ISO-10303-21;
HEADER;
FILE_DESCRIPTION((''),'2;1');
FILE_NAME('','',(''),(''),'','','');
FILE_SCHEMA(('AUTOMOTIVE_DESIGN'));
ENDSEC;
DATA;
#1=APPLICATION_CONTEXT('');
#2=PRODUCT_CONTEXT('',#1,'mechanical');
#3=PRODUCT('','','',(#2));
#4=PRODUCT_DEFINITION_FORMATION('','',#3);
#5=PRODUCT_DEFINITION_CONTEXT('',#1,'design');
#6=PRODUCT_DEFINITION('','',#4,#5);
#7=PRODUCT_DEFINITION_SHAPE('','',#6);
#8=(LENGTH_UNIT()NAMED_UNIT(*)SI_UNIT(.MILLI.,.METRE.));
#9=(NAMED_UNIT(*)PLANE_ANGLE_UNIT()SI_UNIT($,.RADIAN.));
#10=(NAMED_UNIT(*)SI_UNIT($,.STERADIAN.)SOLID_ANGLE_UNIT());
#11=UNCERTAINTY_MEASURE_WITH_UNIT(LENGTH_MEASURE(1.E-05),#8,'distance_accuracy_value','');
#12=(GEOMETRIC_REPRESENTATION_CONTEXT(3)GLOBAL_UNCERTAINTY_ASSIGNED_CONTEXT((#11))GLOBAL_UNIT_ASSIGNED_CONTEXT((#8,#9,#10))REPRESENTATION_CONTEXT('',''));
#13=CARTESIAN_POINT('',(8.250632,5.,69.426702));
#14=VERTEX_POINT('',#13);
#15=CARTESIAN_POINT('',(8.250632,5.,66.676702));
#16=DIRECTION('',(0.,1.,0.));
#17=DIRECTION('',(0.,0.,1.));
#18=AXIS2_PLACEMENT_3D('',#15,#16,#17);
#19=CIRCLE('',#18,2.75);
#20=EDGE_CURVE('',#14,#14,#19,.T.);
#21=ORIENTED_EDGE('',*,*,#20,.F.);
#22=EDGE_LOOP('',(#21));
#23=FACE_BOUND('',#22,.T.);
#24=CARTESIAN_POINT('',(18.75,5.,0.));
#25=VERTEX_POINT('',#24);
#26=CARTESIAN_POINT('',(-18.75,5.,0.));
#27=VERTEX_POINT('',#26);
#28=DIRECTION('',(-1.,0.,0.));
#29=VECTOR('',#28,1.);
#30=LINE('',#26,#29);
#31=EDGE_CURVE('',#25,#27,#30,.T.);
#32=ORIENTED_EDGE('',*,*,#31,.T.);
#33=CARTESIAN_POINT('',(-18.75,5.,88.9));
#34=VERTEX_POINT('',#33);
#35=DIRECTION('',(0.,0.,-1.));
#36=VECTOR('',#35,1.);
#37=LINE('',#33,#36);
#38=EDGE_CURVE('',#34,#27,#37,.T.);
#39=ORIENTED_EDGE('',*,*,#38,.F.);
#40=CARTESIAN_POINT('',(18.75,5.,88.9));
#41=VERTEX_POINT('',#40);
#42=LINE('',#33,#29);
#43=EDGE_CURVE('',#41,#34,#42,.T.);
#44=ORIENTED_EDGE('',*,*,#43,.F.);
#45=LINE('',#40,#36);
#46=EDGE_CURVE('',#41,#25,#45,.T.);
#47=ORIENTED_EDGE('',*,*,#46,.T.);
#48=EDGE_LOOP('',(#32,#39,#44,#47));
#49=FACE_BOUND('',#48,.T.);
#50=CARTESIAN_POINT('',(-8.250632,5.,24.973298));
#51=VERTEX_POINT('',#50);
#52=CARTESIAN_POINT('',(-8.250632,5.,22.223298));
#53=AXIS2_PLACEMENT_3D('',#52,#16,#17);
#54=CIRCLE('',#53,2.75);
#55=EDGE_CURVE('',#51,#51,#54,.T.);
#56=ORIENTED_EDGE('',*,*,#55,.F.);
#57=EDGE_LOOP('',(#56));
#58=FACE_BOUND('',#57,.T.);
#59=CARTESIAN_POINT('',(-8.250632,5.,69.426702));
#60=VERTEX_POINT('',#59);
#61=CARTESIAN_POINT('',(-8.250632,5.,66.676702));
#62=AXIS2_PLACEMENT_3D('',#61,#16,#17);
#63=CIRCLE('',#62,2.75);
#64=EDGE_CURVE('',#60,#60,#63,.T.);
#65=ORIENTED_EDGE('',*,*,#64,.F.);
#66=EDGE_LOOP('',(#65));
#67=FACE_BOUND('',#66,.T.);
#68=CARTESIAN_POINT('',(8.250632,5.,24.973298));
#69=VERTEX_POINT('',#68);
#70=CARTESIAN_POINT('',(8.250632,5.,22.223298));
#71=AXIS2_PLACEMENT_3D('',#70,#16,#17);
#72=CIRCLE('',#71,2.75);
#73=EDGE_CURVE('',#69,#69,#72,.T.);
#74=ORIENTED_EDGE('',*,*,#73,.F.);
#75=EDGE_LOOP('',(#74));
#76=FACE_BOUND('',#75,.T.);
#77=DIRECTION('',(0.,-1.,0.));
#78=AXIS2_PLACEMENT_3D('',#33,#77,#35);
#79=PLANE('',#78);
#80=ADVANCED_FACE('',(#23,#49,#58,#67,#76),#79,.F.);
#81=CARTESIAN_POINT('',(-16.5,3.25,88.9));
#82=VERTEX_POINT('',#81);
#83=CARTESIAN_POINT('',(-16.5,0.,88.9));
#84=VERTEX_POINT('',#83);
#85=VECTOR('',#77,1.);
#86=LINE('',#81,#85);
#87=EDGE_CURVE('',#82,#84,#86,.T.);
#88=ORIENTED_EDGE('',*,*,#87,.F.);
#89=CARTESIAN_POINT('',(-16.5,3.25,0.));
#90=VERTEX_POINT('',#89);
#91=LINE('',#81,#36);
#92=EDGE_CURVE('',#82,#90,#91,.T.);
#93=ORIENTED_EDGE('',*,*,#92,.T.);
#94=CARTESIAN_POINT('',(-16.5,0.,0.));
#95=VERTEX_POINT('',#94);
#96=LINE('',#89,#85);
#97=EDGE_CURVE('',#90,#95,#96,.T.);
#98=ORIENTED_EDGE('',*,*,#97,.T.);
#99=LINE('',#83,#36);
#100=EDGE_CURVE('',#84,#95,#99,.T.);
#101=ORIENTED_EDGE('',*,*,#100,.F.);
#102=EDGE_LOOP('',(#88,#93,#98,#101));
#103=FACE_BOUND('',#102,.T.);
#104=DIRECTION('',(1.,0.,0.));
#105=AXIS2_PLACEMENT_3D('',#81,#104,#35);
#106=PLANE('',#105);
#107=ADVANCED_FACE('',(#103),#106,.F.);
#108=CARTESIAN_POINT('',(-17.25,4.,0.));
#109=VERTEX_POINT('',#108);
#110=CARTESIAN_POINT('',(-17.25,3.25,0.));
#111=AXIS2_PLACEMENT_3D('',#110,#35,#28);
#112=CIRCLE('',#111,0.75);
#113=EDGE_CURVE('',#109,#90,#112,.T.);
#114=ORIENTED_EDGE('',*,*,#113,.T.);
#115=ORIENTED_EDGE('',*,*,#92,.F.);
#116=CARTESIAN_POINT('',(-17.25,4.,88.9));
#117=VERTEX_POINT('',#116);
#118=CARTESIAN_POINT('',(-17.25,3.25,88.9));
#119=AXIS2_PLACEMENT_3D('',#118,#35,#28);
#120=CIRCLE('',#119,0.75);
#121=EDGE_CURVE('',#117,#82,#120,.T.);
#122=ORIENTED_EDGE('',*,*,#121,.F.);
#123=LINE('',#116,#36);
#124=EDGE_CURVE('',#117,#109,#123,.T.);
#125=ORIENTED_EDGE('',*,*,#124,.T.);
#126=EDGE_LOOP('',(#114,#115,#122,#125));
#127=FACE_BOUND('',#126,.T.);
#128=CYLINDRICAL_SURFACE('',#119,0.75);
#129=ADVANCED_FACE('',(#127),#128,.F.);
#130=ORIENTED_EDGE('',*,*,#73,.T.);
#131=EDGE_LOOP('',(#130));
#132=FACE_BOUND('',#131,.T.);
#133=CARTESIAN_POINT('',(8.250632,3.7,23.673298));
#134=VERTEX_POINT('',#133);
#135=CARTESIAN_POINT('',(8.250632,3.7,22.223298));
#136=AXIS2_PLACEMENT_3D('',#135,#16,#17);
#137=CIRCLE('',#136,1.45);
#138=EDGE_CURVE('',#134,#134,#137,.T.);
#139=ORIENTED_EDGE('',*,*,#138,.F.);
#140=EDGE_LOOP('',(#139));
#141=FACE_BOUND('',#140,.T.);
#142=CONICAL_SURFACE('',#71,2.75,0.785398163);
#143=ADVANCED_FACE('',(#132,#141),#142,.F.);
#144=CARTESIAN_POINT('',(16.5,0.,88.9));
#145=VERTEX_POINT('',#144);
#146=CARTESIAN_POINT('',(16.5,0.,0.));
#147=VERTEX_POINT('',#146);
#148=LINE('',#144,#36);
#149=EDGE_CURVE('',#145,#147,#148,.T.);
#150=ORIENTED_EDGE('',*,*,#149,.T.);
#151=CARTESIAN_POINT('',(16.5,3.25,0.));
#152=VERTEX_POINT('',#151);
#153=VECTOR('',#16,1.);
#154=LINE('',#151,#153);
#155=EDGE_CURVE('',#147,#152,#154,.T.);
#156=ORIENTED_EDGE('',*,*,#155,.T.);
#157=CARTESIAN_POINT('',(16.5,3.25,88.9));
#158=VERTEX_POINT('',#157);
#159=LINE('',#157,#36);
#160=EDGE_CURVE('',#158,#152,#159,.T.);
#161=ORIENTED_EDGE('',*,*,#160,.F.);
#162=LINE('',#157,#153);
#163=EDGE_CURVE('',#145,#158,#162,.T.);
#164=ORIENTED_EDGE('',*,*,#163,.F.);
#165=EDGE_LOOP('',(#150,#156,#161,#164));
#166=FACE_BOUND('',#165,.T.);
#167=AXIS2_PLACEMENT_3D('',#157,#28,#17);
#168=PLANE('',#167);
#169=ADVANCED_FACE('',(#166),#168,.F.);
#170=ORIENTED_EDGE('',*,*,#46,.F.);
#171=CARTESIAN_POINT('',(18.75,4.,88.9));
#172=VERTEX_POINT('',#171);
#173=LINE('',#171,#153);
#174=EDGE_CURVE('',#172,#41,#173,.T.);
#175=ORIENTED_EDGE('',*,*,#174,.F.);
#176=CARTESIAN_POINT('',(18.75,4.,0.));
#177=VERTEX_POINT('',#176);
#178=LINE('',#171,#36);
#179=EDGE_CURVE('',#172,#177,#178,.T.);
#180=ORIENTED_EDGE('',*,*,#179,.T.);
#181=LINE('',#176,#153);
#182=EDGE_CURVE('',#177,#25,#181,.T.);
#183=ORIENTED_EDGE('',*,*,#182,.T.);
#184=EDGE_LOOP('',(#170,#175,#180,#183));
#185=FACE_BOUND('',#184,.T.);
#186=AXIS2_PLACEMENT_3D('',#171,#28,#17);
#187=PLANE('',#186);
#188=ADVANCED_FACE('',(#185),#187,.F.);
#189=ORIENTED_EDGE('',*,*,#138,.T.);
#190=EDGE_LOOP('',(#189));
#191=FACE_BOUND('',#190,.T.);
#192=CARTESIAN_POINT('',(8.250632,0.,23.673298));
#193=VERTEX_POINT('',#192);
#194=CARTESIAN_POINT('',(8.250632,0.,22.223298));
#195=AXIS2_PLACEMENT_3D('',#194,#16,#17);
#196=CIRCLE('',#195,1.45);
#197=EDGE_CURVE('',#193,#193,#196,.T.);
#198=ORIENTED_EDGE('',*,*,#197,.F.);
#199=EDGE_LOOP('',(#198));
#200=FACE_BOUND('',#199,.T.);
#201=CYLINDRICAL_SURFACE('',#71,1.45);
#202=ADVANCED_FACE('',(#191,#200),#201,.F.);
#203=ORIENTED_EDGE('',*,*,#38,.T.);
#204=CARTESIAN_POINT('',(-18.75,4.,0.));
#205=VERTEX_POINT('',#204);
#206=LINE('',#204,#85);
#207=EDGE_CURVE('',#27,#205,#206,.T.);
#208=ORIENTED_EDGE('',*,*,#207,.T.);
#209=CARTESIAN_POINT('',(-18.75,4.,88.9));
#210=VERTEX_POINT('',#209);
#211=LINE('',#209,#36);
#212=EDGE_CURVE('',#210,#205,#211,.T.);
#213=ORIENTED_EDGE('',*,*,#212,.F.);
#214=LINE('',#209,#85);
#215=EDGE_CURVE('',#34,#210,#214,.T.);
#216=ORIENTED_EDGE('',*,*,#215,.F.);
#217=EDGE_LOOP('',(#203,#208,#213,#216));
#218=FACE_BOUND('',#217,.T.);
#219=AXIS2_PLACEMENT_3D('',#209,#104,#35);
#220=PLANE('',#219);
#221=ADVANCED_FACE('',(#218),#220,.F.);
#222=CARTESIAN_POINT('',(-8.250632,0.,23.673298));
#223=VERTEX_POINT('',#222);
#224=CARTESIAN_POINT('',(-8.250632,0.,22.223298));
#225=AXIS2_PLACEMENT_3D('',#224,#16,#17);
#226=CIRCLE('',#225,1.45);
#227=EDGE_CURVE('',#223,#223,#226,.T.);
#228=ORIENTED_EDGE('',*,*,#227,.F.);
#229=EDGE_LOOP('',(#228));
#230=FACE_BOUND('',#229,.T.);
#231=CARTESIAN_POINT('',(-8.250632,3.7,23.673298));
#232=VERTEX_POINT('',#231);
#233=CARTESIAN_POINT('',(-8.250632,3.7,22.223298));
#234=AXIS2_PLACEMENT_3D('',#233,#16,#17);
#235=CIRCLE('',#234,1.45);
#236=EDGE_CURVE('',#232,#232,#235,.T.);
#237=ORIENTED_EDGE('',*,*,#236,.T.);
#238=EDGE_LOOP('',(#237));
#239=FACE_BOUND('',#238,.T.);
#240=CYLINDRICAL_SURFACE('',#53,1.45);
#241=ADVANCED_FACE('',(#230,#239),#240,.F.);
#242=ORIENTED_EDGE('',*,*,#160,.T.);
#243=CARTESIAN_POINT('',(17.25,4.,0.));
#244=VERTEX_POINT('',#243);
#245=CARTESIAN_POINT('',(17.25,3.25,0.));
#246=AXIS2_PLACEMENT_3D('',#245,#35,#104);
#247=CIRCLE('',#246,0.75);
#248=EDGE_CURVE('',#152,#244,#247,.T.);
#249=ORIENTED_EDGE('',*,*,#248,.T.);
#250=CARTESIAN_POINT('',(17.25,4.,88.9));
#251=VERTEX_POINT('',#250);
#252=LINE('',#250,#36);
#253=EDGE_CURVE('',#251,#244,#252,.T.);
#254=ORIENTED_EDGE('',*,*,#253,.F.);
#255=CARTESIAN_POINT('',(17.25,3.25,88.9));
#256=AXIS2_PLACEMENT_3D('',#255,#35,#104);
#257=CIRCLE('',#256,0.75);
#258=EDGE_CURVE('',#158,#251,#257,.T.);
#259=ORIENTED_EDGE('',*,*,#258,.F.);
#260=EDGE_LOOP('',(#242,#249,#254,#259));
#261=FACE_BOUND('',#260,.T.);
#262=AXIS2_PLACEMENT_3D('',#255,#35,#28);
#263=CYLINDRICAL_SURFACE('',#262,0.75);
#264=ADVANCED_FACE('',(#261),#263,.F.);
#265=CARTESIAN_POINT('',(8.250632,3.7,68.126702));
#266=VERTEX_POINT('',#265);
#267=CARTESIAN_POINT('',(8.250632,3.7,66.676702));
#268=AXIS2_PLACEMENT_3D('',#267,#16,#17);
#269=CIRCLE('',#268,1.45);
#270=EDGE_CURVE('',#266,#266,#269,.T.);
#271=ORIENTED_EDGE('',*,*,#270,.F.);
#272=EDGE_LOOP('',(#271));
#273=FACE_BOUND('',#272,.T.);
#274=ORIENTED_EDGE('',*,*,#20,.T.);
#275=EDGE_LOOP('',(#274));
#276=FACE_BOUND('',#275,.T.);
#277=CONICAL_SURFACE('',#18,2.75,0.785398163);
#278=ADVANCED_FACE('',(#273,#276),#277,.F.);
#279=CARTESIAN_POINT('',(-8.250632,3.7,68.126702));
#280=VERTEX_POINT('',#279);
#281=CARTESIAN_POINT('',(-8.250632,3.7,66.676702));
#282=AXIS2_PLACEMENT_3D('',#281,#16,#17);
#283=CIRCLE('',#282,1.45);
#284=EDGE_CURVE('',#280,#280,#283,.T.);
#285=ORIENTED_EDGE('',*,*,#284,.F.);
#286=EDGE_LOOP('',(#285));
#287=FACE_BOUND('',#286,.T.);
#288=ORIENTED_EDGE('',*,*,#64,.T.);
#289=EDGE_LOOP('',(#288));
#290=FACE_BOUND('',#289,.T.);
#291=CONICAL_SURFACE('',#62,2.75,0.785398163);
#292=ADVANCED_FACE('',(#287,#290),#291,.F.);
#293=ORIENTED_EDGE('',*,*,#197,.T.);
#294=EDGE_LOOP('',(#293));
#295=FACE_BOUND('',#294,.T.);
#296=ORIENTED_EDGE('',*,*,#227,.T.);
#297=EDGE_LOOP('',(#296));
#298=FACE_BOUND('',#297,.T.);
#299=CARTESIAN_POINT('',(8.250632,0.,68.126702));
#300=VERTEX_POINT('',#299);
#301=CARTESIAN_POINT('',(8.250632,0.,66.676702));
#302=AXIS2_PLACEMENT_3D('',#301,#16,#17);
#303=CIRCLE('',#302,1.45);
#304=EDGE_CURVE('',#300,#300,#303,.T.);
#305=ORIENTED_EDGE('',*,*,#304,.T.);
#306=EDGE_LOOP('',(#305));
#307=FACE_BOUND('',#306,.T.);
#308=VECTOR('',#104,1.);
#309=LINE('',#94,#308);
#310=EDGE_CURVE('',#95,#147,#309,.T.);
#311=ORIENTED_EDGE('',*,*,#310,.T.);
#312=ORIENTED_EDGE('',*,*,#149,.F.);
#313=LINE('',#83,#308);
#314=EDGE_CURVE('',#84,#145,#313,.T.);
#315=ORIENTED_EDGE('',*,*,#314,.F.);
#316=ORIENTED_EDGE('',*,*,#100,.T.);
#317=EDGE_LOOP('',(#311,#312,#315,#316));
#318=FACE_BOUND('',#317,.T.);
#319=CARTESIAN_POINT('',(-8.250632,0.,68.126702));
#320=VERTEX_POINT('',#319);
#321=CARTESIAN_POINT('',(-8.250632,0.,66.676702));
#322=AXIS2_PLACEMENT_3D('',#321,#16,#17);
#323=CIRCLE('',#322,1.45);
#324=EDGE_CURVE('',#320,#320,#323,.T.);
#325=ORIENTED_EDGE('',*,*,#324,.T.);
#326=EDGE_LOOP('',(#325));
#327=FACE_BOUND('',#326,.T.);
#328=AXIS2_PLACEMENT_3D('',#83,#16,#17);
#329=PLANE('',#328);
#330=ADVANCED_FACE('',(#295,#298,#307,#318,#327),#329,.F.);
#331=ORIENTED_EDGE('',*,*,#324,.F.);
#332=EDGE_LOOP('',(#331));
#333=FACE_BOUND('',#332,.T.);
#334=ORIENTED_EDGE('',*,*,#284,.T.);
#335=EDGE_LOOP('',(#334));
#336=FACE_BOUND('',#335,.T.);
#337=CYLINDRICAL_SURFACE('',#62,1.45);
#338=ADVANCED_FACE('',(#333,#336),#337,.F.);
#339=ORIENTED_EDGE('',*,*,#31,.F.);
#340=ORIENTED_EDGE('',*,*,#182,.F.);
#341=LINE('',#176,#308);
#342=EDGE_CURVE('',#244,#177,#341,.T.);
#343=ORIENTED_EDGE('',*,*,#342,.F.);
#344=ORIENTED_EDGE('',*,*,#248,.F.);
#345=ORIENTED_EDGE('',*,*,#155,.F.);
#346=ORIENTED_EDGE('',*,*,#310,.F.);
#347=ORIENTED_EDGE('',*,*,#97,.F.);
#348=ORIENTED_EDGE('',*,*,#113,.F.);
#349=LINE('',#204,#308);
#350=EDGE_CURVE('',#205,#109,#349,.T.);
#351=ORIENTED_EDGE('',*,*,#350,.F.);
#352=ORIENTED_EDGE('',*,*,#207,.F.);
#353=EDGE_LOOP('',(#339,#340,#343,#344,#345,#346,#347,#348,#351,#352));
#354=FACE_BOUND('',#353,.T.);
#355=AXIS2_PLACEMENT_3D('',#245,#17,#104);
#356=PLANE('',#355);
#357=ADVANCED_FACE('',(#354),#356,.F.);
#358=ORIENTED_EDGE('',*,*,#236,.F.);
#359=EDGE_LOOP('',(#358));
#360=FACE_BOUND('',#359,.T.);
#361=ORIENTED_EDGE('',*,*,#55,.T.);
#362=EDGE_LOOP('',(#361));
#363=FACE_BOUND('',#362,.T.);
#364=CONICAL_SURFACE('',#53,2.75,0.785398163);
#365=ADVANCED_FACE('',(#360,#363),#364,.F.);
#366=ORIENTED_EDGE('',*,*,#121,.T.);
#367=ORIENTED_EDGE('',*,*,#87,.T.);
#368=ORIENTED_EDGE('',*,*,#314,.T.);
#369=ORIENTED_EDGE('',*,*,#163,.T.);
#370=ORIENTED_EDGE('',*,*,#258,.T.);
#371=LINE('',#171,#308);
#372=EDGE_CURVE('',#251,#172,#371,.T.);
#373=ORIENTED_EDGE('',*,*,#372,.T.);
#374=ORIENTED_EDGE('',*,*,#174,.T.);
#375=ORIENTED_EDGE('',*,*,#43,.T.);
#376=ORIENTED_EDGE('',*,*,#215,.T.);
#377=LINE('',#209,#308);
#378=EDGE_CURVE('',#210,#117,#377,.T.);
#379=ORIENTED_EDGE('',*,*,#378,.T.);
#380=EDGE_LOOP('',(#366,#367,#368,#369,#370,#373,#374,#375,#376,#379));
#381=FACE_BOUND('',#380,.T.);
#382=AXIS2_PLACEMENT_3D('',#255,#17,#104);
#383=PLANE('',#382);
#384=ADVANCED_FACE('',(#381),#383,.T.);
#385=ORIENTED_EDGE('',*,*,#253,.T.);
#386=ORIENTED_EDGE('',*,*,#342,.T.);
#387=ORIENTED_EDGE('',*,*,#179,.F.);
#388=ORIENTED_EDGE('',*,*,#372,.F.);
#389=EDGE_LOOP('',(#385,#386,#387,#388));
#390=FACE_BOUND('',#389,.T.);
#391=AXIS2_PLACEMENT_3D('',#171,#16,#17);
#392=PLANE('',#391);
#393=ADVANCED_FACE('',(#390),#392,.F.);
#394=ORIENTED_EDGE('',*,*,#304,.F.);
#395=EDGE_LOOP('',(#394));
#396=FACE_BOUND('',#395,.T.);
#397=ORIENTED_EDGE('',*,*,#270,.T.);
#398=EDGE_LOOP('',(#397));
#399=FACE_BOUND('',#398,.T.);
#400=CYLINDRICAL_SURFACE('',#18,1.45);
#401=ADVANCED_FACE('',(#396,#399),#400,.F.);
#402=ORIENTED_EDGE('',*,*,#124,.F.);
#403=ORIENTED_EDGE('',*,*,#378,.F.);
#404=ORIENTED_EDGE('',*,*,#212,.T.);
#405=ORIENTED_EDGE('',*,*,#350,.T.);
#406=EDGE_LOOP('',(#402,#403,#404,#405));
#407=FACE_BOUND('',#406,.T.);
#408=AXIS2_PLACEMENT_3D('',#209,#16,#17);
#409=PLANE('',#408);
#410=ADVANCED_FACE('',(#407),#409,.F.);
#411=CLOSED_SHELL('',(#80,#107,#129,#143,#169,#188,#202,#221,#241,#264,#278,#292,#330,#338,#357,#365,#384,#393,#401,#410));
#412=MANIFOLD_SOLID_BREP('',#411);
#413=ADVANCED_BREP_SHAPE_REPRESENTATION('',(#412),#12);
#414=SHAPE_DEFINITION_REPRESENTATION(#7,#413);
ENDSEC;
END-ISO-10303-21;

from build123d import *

# Parameters (mm, degrees)
BOSS_EXTRUDE1_DEPTH                               = 88.9
CSK_FOR_M2_5_FLAT_HEAD_MACHINE_SCREW1_D           = 2.9
CSK_FOR_M2_5_FLAT_HEAD_MACHINE_SCREW1_CSINK_D     = 5.5
CSK_FOR_M2_5_FLAT_HEAD_MACHINE_SCREW1_CSINK_ANGLE = 90


with BuildPart() as part:
    # Sketch1 → Boss-Extrude1 (new body)
    with BuildSketch(Plane.XY):
        with BuildLine():
            Line((-16.5, 3.25), (-16.5, 0))
            Line((-16.5, 0), (16.5, 0))
            Line((16.5, 0), (16.5, 3.25))
            ThreePointArc((16.5, 3.25), (16.719669914, 3.780330086), (17.25, 4))
            Line((17.25, 4), (18.75, 4))
            Line((18.75, 4), (18.75, 5))
            Line((18.75, 5), (-18.75, 5))
            Line((-18.75, 5), (-18.75, 4))
            Line((-18.75, 4), (-17.25, 4))
            ThreePointArc((-17.25, 4), (-16.719669914, 3.780330086), (-16.5, 3.25))
        make_face()
    extrude(amount=BOSS_EXTRUDE1_DEPTH)

    # CSK for M2.5 Flat Head Machine Screw1 (through all)
    with Locations(Plane(origin=(0, 5, 0), x_dir=(1, 0, 0), z_dir=(0, 1, 0))):
        with Locations((8.250631971, -22.223297508), (-8.250631971, -22.223297508), (-8.250631971, -66.676702492), (8.250631971, -66.676702492)):
            CounterSinkHole(CSK_FOR_M2_5_FLAT_HEAD_MACHINE_SCREW1_D / 2, CSK_FOR_M2_5_FLAT_HEAD_MACHINE_SCREW1_CSINK_D / 2, counter_sink_angle=CSK_FOR_M2_5_FLAT_HEAD_MACHINE_SCREW1_CSINK_ANGLE)


solid = part.part
